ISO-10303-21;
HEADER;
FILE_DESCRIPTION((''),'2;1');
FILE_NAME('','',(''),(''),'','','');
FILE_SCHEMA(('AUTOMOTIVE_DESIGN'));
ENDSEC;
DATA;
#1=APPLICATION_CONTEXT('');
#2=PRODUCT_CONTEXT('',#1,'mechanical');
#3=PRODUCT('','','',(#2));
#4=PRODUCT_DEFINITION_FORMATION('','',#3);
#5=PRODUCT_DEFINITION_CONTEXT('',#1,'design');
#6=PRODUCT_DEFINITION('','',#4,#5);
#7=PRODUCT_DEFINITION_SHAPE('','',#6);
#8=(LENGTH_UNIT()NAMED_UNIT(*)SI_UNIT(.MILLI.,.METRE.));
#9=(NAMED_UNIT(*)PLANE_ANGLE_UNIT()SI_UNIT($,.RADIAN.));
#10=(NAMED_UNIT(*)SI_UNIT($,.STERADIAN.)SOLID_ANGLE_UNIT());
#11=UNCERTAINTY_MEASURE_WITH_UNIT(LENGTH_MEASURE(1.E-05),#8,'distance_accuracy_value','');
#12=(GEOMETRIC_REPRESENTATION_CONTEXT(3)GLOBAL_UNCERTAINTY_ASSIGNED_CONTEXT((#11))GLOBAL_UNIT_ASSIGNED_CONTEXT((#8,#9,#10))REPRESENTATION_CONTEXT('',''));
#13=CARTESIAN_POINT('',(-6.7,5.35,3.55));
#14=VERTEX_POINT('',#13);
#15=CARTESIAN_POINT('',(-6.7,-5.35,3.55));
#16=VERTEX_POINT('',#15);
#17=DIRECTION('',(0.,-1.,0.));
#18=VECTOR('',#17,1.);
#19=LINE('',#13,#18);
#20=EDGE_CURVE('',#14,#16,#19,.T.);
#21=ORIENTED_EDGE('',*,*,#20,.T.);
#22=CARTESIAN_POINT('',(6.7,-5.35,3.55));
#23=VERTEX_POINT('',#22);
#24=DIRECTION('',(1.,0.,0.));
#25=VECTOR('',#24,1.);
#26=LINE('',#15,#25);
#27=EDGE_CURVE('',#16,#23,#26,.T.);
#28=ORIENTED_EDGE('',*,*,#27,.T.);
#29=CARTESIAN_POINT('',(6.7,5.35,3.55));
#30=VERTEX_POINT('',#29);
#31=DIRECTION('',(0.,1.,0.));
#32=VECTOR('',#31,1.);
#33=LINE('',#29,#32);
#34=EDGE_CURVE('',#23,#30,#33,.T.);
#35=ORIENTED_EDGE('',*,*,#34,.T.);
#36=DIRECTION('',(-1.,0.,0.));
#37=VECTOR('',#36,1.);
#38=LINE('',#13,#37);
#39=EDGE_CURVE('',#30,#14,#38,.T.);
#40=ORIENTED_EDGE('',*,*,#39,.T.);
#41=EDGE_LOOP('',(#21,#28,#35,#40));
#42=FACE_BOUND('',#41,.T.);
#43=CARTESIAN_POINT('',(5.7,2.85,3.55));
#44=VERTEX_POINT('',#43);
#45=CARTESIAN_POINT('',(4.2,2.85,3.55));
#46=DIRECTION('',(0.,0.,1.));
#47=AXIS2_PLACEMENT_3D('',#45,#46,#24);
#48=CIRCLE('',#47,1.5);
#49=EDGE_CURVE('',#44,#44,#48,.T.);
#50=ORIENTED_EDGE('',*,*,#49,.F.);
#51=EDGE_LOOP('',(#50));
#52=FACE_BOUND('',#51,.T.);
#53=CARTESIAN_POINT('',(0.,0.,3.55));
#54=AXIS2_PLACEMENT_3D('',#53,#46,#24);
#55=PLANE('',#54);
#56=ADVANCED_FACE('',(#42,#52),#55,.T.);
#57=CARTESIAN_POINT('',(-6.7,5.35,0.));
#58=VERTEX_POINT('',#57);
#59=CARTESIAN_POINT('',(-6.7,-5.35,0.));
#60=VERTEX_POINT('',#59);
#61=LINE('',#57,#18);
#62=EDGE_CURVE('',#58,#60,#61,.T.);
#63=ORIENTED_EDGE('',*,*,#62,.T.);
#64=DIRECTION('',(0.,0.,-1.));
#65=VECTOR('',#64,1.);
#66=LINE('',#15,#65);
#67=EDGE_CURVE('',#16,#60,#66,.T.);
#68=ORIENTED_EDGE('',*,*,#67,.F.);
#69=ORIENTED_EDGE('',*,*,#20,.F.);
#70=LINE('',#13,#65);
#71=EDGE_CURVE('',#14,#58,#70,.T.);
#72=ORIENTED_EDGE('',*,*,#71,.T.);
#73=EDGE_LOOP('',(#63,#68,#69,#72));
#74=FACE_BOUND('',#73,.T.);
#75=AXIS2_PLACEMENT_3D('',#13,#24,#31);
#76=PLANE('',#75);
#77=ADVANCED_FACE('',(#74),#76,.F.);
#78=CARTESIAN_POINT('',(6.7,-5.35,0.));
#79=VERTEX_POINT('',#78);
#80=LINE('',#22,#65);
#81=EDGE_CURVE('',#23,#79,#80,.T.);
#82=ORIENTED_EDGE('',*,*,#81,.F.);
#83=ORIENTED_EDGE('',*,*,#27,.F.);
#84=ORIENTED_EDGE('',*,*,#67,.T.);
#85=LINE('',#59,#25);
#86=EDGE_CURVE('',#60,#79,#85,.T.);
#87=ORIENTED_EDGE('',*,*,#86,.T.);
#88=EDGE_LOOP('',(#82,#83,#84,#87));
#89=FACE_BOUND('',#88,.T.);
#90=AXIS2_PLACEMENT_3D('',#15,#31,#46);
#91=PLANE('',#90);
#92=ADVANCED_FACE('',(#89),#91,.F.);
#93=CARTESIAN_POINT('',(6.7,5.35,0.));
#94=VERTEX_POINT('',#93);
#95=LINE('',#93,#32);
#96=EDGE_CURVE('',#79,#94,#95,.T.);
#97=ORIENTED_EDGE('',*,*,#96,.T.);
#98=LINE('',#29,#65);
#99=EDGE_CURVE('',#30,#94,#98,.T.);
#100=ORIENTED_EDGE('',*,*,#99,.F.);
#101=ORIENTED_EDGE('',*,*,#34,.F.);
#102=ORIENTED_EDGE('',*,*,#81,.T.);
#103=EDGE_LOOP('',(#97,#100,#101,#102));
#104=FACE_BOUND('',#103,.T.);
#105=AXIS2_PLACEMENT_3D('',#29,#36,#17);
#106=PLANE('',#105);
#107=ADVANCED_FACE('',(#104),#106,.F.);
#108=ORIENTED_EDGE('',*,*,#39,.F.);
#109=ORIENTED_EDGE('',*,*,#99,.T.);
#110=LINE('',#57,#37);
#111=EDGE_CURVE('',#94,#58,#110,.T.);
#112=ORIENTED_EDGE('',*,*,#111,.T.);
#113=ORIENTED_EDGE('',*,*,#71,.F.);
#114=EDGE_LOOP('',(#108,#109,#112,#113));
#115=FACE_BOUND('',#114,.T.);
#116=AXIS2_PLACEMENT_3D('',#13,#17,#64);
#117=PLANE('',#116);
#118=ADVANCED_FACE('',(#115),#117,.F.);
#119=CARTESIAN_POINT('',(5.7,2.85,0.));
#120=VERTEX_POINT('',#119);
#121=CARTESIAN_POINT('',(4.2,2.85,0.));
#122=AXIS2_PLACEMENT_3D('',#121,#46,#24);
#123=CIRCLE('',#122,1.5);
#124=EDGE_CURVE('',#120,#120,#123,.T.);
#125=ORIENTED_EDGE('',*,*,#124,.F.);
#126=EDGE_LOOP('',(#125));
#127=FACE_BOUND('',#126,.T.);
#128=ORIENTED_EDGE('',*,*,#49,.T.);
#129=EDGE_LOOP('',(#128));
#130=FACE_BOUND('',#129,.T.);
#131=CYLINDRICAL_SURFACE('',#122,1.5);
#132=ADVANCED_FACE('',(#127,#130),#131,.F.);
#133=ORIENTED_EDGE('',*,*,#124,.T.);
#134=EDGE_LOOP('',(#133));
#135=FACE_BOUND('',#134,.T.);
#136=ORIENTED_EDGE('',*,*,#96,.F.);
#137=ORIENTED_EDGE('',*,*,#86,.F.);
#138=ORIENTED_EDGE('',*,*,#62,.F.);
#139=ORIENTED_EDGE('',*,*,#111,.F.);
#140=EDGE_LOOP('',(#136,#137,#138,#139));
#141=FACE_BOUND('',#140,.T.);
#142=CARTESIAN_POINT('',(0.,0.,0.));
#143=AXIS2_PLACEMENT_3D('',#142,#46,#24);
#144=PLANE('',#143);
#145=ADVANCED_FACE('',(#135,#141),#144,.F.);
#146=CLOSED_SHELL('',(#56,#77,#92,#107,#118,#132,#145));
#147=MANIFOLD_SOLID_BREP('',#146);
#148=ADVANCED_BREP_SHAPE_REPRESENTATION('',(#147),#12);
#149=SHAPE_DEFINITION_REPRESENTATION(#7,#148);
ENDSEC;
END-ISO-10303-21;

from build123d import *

# Parameters (mm, degrees)
SKETCH1_W           = 13.4
SKETCH1_H           = 10.7
BOSS_EXTRUDE1_DEPTH = 3.55
SKETCH2_R           = 1.5
CUT_EXTRUDE1_DEPTH  = 3.55


with BuildPart() as part:
    # Sketch1 → Boss-Extrude1 (new body)
    with BuildSketch(Plane.XY):
        Rectangle(SKETCH1_W, SKETCH1_H)
    extrude(amount=BOSS_EXTRUDE1_DEPTH)

    # Sketch2 → Cut-Extrude1 (cut)
    with BuildSketch(Plane.XY.offset(3.55)):
        with Locations((4.2, 2.85)):
            Circle(SKETCH2_R)
    extrude(amount=-CUT_EXTRUDE1_DEPTH, mode=Mode.SUBTRACT)


solid = part.part
